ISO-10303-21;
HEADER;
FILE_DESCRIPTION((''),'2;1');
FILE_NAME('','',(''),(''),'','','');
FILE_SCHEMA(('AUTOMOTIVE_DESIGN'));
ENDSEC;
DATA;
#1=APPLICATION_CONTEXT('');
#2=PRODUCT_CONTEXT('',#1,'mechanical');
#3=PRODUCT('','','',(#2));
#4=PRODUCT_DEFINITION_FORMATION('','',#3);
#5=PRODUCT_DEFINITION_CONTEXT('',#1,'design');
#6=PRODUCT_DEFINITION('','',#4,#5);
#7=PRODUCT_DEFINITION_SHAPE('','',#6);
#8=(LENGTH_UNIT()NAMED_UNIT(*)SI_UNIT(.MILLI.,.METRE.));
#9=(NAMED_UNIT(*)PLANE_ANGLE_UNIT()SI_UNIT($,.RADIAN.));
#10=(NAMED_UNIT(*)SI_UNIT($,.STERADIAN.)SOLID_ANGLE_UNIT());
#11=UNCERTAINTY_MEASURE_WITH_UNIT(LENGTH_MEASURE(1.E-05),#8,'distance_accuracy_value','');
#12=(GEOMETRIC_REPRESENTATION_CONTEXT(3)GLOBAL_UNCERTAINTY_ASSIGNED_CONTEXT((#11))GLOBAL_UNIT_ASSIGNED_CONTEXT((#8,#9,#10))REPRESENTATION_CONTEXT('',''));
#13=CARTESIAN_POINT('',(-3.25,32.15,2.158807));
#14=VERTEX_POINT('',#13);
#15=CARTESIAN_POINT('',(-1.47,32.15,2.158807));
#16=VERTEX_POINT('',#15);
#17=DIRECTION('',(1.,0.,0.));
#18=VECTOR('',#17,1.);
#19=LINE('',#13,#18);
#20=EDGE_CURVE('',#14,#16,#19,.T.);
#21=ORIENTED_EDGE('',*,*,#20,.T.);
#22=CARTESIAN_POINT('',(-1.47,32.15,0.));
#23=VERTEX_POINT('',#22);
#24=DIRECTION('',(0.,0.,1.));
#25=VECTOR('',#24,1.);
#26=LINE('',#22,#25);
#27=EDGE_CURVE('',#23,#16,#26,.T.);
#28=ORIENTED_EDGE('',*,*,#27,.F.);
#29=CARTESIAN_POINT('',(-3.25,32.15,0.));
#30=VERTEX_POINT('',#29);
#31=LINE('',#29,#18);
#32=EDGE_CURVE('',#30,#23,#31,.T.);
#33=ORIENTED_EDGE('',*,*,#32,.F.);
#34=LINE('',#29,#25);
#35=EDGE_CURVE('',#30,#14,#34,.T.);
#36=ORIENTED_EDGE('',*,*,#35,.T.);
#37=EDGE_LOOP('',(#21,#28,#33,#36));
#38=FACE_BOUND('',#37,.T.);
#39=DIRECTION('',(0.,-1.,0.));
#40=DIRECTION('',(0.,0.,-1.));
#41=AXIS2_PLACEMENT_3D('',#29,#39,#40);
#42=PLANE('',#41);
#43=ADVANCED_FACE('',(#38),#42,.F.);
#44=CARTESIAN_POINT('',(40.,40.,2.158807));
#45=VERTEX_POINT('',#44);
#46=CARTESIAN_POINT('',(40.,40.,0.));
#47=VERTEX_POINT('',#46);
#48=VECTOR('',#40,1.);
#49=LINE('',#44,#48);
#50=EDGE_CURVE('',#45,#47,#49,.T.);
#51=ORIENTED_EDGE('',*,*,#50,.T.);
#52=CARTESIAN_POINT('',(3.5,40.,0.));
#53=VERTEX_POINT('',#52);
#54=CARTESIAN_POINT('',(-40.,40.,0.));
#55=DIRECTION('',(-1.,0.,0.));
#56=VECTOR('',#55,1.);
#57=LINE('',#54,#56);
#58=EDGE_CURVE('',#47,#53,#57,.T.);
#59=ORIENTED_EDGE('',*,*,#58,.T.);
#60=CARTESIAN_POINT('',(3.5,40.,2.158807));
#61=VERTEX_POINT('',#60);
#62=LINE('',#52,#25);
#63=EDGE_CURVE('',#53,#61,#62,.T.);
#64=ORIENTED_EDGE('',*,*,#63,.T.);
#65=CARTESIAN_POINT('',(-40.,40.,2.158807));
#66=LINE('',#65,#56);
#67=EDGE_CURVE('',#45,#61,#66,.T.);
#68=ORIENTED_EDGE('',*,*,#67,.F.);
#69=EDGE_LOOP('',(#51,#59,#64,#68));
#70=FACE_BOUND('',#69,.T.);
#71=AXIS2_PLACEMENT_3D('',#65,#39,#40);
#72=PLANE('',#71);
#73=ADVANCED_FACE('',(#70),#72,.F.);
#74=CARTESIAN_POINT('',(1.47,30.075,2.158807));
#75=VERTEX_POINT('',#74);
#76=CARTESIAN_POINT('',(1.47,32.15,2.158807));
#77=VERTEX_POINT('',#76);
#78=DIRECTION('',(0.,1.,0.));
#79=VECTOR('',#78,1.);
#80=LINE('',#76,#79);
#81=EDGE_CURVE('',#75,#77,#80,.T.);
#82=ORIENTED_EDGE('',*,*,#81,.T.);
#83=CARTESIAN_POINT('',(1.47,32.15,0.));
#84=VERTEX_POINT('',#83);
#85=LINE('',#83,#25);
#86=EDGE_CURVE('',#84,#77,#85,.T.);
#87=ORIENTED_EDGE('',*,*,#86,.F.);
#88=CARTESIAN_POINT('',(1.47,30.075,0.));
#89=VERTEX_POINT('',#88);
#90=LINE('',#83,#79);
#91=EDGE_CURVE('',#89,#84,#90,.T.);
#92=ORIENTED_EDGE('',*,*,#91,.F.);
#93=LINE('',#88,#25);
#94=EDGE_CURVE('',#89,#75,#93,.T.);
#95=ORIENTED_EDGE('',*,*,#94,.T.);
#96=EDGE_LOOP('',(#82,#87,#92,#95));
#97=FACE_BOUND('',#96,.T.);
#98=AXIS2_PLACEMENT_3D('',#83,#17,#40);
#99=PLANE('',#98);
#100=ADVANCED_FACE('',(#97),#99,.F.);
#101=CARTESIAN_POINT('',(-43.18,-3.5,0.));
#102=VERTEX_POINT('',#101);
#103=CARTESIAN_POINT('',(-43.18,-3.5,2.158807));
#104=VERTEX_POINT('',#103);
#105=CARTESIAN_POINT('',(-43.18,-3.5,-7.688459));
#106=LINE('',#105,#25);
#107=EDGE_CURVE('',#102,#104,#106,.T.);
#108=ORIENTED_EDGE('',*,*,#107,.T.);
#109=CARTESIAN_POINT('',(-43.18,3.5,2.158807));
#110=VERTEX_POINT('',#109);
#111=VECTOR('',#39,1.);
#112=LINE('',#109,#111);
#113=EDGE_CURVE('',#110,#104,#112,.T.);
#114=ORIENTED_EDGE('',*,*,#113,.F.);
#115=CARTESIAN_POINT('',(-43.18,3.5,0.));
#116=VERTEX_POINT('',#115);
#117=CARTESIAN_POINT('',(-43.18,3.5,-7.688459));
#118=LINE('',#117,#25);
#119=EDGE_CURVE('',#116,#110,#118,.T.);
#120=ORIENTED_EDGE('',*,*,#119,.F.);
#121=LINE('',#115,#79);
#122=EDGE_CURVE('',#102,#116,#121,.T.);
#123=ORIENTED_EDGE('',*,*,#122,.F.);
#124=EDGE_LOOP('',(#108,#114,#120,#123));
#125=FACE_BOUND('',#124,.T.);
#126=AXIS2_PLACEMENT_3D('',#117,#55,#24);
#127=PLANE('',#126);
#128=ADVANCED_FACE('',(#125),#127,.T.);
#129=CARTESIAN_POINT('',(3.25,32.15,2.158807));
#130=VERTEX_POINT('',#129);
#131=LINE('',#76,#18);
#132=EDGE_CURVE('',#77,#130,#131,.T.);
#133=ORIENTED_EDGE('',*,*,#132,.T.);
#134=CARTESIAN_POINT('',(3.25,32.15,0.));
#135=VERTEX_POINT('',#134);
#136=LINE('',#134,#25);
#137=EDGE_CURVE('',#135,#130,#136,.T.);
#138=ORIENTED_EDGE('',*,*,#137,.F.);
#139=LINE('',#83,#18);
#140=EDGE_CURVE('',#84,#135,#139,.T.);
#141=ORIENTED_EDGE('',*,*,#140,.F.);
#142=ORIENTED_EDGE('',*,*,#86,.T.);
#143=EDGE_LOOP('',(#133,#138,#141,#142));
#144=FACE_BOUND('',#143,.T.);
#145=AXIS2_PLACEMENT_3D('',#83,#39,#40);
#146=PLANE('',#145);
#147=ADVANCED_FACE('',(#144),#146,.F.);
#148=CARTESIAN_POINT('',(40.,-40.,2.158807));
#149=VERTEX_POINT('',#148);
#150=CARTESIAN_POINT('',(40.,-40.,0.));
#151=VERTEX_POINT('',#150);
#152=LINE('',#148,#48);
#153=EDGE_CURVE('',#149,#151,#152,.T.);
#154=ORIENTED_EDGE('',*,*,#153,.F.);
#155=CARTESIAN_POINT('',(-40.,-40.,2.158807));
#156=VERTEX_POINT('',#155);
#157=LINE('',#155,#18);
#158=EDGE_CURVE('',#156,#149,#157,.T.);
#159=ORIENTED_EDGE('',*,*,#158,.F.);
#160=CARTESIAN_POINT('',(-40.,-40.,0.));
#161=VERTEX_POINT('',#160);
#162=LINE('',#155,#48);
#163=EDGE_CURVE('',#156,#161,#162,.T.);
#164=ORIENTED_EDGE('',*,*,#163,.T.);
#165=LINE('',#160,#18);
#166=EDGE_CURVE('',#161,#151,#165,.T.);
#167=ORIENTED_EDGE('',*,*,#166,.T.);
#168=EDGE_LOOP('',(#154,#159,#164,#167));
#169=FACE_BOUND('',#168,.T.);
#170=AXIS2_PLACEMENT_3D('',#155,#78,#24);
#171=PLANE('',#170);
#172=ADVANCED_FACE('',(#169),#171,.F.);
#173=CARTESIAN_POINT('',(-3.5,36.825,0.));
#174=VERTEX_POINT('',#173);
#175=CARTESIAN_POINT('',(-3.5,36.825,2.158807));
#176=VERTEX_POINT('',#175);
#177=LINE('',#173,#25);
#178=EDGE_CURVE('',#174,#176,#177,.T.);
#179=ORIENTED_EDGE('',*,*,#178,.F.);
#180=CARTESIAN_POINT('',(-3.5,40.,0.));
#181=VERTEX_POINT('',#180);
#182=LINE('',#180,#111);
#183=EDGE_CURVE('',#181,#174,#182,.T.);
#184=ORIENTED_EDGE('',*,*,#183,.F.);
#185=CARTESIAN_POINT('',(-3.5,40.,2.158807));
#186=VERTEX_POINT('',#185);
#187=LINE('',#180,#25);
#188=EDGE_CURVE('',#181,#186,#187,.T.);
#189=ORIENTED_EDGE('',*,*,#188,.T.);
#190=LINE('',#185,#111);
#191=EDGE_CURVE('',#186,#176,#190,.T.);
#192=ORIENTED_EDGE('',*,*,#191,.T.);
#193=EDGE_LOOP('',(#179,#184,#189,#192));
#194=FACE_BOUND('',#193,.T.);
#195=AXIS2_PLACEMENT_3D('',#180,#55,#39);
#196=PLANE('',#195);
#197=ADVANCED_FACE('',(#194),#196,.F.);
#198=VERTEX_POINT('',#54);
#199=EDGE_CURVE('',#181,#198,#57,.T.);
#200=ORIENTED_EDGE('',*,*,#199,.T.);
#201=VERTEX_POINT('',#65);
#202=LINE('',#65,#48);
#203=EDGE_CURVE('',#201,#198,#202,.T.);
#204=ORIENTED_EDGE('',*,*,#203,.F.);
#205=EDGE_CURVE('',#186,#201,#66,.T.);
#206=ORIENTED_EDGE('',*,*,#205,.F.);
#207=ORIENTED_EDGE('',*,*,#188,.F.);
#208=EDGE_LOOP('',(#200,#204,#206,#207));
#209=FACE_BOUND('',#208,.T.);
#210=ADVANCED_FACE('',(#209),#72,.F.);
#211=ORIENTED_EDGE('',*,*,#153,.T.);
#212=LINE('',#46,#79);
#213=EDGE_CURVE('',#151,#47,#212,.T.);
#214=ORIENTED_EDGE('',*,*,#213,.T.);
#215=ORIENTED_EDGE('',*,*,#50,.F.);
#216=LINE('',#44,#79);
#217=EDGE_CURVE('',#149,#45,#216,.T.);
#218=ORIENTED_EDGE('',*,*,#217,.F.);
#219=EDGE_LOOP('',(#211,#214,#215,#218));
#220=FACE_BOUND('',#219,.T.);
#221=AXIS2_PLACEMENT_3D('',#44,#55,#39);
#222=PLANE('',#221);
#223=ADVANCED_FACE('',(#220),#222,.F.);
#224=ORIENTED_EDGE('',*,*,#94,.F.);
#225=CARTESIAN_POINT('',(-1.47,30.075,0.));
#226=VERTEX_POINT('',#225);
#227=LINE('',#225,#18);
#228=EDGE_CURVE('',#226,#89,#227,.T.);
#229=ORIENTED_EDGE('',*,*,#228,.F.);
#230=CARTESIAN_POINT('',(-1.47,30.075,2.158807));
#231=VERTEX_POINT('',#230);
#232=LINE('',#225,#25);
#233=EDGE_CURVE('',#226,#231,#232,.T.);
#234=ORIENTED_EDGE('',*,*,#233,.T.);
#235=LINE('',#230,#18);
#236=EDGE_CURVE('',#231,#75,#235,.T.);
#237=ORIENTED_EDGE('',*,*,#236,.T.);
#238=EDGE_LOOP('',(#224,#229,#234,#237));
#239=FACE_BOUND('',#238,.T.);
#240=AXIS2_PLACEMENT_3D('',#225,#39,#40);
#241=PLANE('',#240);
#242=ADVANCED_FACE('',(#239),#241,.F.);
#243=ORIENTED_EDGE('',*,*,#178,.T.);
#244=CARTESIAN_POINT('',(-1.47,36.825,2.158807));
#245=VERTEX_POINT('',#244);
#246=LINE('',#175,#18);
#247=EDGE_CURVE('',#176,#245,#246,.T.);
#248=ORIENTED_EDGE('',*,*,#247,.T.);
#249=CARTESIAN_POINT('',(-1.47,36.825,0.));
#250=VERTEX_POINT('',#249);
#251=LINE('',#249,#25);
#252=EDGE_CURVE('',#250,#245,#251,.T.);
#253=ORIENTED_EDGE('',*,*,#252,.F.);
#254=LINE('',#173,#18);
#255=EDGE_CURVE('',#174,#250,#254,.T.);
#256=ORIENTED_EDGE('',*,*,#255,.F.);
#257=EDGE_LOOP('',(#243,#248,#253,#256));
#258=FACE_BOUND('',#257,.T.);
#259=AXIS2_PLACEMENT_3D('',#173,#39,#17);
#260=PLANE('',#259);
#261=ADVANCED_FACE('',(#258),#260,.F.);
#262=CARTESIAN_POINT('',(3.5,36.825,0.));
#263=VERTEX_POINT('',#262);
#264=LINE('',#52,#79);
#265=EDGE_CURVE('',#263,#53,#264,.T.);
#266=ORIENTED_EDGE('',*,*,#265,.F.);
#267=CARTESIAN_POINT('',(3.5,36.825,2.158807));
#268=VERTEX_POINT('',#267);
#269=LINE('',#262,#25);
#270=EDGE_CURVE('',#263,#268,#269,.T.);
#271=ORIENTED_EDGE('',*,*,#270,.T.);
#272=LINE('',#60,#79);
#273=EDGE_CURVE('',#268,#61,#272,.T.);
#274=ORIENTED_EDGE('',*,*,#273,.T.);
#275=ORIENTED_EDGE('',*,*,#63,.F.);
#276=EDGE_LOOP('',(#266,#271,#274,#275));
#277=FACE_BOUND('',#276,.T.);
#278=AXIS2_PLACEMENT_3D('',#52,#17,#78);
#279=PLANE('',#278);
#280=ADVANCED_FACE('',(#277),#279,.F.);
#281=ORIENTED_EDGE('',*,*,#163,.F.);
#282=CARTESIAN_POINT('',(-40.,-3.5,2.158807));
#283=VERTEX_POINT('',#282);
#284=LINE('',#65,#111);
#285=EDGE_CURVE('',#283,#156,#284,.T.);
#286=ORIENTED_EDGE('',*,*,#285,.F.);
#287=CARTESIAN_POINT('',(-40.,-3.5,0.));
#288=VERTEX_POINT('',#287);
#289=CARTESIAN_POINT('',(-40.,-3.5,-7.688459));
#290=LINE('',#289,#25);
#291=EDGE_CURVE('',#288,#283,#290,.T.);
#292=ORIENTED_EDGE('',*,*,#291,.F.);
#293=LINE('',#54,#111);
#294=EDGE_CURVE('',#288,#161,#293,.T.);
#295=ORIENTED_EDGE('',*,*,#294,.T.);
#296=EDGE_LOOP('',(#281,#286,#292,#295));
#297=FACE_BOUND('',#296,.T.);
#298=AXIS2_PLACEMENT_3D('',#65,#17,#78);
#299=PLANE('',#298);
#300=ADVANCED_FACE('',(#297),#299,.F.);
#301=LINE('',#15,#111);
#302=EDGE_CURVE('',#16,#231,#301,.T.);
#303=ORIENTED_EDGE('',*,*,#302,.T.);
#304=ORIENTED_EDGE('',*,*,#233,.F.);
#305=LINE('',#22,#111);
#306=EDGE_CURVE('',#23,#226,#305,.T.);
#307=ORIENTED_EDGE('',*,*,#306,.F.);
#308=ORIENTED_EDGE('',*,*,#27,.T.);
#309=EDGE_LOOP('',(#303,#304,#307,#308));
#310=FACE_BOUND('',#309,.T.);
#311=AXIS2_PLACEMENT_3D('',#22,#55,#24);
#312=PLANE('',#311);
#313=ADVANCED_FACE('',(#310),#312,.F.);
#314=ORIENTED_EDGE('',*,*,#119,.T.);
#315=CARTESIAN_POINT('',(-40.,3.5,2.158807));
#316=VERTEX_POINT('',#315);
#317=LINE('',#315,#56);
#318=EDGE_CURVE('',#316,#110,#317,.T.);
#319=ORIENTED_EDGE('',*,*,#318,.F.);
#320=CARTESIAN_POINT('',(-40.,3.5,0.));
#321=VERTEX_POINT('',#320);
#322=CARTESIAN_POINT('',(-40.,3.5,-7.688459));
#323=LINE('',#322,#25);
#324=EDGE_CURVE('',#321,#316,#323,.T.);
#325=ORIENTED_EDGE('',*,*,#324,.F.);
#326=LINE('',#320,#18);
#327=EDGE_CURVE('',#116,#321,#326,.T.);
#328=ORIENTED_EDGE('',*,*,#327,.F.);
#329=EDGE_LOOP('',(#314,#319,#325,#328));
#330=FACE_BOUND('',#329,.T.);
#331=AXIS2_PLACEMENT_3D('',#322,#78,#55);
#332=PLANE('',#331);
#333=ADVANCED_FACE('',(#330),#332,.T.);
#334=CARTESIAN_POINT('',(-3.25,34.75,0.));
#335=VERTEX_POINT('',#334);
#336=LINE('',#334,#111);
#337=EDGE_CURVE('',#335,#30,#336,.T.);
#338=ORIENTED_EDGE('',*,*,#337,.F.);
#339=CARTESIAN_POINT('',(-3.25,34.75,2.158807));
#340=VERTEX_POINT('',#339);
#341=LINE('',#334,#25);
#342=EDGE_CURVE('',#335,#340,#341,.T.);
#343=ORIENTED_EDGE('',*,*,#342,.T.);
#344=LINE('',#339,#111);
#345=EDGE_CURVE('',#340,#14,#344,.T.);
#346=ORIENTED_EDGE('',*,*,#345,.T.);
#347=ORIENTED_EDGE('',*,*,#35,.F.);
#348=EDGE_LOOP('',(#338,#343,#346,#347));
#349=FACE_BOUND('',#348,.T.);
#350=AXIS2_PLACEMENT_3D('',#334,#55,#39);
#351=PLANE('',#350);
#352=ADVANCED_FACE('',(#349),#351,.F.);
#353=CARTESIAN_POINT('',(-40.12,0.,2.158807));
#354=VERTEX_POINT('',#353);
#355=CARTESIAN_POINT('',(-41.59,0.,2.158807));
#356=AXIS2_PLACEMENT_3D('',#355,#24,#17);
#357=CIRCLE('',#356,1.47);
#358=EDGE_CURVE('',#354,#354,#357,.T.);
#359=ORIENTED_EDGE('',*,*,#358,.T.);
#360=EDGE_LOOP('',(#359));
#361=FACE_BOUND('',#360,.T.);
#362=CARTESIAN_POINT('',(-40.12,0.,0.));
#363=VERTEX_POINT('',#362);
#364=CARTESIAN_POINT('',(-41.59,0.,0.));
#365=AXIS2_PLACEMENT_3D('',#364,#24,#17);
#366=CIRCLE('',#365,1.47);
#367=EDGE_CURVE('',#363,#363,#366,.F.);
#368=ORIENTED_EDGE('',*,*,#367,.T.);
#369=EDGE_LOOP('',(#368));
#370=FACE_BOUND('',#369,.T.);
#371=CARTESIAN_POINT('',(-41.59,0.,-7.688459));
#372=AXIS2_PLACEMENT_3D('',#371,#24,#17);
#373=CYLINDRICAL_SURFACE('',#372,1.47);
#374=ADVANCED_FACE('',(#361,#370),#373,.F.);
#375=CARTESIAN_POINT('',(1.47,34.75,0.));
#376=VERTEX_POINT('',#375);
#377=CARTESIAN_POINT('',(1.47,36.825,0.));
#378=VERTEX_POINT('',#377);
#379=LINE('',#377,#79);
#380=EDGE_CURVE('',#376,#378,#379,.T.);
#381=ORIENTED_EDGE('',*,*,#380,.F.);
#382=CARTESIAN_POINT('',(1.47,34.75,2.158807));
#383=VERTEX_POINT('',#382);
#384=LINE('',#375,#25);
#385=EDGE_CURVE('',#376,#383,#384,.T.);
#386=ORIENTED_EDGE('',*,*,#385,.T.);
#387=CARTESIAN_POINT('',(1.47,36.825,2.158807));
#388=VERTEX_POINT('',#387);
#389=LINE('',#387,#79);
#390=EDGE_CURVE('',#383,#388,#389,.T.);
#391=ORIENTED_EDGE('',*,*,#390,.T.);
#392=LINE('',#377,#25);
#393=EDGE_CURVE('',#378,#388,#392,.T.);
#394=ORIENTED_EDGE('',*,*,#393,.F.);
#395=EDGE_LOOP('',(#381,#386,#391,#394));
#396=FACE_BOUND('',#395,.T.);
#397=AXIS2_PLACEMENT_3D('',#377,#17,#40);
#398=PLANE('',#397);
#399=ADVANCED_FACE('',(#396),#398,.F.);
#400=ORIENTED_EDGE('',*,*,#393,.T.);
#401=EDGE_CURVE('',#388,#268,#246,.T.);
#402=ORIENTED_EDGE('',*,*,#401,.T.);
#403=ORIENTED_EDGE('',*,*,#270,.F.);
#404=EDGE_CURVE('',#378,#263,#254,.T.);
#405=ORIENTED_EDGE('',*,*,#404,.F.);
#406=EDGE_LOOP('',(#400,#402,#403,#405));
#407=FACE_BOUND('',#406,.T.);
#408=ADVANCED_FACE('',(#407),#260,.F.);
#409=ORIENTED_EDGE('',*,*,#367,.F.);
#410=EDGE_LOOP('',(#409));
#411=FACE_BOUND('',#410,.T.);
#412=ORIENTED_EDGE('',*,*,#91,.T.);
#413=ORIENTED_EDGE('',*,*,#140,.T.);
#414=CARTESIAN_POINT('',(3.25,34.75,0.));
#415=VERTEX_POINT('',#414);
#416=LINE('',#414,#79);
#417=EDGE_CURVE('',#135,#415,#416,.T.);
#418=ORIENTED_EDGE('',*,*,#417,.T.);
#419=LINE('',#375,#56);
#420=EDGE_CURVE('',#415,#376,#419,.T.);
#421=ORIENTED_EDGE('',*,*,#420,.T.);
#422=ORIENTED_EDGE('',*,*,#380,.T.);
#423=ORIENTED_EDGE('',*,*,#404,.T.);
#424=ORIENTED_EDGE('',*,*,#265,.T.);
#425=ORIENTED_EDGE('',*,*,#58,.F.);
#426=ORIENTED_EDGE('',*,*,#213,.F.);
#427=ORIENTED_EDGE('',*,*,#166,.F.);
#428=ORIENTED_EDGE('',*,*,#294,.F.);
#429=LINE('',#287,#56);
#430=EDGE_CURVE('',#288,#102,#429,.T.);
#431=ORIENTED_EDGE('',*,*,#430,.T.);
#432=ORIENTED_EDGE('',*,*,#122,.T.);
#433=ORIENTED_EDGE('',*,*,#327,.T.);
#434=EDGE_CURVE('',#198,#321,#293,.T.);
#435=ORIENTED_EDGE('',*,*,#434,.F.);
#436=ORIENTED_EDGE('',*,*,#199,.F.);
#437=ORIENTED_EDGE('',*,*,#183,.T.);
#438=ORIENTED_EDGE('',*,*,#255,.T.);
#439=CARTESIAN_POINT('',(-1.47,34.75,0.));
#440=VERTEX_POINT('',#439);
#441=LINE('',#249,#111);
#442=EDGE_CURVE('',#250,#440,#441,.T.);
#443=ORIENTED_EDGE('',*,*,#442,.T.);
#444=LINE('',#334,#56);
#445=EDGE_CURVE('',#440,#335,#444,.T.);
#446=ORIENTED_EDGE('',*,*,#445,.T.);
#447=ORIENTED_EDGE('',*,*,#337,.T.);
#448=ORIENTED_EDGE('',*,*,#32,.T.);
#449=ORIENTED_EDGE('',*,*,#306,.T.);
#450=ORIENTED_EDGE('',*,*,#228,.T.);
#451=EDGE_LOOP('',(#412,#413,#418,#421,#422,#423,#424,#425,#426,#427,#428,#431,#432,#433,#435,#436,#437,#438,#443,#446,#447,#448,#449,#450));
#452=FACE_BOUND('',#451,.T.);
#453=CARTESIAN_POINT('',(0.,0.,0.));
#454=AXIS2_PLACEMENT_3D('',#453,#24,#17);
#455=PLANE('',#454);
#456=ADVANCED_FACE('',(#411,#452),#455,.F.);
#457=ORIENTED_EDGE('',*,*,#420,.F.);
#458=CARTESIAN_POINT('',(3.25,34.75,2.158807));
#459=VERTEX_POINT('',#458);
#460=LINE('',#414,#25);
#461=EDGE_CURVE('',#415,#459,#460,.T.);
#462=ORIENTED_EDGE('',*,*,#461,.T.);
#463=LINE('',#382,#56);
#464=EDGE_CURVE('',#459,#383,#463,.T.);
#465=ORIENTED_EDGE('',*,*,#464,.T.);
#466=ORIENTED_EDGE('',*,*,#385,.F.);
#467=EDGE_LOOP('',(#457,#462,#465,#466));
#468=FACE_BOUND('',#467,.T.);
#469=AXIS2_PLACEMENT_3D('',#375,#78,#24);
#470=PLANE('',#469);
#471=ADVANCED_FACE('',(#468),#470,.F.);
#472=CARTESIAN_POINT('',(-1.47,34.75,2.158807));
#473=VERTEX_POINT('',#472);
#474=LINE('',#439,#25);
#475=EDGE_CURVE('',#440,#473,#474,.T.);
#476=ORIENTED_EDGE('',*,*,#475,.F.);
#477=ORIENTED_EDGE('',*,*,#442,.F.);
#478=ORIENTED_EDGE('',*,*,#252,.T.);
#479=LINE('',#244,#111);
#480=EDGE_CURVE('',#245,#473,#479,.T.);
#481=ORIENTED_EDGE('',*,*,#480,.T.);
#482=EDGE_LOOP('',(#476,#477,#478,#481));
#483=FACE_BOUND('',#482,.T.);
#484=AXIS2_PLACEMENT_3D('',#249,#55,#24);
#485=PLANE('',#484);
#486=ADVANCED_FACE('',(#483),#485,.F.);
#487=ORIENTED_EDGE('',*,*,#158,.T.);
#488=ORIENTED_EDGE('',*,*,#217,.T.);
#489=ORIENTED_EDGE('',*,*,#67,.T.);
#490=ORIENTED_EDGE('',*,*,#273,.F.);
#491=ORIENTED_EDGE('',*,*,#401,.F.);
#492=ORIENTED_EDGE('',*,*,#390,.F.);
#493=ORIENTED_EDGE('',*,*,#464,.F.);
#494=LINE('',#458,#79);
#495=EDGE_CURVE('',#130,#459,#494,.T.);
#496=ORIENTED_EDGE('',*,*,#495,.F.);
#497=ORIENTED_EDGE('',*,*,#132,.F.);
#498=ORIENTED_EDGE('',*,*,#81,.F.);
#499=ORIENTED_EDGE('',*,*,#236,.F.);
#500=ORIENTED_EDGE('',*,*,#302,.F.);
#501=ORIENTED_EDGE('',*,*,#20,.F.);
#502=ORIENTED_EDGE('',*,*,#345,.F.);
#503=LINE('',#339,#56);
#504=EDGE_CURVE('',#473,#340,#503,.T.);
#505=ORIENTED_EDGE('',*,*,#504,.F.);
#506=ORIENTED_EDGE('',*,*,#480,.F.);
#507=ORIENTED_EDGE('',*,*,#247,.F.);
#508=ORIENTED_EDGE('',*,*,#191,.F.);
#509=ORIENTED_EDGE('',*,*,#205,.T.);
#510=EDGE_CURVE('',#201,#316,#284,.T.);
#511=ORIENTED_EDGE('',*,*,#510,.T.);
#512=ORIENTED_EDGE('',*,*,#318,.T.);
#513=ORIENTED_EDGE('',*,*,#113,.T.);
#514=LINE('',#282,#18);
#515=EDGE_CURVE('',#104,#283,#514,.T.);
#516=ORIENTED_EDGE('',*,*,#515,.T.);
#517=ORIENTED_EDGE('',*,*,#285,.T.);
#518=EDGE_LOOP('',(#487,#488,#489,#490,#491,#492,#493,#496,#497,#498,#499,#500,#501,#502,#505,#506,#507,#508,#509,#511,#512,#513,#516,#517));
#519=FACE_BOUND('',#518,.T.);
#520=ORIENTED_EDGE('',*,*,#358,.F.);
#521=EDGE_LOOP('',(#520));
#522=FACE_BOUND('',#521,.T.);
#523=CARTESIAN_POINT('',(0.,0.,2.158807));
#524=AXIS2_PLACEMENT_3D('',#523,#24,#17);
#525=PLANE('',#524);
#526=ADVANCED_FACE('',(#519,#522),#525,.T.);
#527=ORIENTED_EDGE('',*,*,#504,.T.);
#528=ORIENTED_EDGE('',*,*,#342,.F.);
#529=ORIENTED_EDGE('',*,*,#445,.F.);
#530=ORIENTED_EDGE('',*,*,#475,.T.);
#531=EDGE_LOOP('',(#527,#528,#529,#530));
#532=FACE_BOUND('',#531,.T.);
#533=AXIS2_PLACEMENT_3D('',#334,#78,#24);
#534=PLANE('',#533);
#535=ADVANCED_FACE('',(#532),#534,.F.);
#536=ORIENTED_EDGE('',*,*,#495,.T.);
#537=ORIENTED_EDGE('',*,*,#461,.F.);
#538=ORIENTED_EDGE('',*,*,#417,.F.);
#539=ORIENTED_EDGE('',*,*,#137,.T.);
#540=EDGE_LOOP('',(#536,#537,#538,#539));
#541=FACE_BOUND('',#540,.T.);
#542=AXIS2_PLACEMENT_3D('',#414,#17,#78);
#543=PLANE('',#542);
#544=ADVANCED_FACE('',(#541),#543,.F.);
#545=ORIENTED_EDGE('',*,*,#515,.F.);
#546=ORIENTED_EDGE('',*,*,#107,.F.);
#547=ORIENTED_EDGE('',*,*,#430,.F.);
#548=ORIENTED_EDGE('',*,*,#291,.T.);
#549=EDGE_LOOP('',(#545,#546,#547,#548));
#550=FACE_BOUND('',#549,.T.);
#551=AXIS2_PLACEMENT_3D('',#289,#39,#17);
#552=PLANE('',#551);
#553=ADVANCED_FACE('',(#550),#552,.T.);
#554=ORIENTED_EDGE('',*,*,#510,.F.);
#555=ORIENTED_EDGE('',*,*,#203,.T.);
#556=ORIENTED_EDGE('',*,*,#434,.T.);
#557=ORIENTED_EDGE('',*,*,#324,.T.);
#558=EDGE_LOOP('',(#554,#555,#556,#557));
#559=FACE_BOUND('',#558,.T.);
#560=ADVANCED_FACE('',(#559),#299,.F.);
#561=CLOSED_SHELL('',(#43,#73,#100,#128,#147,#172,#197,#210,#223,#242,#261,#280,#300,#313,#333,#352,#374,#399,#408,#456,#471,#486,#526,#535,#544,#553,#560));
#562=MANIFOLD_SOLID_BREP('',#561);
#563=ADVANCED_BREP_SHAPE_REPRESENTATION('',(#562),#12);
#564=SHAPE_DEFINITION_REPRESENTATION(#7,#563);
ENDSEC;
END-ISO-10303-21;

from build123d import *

# Parameters (mm, degrees)
SKETCH1_W           = 80
SKETCH1_H           = 80
BOSS_EXTRUDE1_DEPTH = 2.158807247
SKETCH2_W           = 7
SKETCH2_H           = 3.175
CUT_EXTRUDE1_DEPTH  = 3.158807247
CUT_EXTRUDE2_DEPTH  = 3.158807247
SKETCH4_W           = 3.18
SKETCH4_H           = 7
SKETCH4_R           = 1.47
BOSS_EXTRUDE2_DEPTH = 2.158807


with BuildPart() as part:
    # Sketch1 → Boss-Extrude1 (new body)
    with BuildSketch(Plane.XY):
        Rectangle(SKETCH1_W, SKETCH1_H)
    extrude(amount=BOSS_EXTRUDE1_DEPTH)

    # Sketch2 → Cut-Extrude1 (cut, through all)
    with BuildSketch(Plane.XY.offset(2.158807247)):
        with Locations((0, 38.4125)):
            Rectangle(SKETCH2_W, SKETCH2_H)
    extrude(amount=-CUT_EXTRUDE1_DEPTH, mode=Mode.SUBTRACT)

    # Sketch3 → Cut-Extrude2 (cut, through all)
    with BuildSketch(Plane.XY.offset(2.158807247)):
        Polygon((1.47, 34.75), (3.25, 34.75), (3.25, 32.15), (1.47, 32.15), (1.47, 30.075), (-1.47, 30.075), (-1.47, 32.15), (-3.25, 32.15), (-3.25, 34.75), (-1.47, 34.75), (-1.47, 36.825), (1.47, 36.825), align=None)
    extrude(amount=-CUT_EXTRUDE2_DEPTH, mode=Mode.SUBTRACT)

    # Sketch4 → Boss-Extrude2 (add)
    with BuildSketch(Plane.XY.offset(2.158807247)):
        with Locations((-41.59, 0)):
            Rectangle(SKETCH4_W, SKETCH4_H)
        with Locations((-41.59, 0)):
            Circle(SKETCH4_R, mode=Mode.SUBTRACT)
    extrude(amount=-BOSS_EXTRUDE2_DEPTH)


solid = part.part
